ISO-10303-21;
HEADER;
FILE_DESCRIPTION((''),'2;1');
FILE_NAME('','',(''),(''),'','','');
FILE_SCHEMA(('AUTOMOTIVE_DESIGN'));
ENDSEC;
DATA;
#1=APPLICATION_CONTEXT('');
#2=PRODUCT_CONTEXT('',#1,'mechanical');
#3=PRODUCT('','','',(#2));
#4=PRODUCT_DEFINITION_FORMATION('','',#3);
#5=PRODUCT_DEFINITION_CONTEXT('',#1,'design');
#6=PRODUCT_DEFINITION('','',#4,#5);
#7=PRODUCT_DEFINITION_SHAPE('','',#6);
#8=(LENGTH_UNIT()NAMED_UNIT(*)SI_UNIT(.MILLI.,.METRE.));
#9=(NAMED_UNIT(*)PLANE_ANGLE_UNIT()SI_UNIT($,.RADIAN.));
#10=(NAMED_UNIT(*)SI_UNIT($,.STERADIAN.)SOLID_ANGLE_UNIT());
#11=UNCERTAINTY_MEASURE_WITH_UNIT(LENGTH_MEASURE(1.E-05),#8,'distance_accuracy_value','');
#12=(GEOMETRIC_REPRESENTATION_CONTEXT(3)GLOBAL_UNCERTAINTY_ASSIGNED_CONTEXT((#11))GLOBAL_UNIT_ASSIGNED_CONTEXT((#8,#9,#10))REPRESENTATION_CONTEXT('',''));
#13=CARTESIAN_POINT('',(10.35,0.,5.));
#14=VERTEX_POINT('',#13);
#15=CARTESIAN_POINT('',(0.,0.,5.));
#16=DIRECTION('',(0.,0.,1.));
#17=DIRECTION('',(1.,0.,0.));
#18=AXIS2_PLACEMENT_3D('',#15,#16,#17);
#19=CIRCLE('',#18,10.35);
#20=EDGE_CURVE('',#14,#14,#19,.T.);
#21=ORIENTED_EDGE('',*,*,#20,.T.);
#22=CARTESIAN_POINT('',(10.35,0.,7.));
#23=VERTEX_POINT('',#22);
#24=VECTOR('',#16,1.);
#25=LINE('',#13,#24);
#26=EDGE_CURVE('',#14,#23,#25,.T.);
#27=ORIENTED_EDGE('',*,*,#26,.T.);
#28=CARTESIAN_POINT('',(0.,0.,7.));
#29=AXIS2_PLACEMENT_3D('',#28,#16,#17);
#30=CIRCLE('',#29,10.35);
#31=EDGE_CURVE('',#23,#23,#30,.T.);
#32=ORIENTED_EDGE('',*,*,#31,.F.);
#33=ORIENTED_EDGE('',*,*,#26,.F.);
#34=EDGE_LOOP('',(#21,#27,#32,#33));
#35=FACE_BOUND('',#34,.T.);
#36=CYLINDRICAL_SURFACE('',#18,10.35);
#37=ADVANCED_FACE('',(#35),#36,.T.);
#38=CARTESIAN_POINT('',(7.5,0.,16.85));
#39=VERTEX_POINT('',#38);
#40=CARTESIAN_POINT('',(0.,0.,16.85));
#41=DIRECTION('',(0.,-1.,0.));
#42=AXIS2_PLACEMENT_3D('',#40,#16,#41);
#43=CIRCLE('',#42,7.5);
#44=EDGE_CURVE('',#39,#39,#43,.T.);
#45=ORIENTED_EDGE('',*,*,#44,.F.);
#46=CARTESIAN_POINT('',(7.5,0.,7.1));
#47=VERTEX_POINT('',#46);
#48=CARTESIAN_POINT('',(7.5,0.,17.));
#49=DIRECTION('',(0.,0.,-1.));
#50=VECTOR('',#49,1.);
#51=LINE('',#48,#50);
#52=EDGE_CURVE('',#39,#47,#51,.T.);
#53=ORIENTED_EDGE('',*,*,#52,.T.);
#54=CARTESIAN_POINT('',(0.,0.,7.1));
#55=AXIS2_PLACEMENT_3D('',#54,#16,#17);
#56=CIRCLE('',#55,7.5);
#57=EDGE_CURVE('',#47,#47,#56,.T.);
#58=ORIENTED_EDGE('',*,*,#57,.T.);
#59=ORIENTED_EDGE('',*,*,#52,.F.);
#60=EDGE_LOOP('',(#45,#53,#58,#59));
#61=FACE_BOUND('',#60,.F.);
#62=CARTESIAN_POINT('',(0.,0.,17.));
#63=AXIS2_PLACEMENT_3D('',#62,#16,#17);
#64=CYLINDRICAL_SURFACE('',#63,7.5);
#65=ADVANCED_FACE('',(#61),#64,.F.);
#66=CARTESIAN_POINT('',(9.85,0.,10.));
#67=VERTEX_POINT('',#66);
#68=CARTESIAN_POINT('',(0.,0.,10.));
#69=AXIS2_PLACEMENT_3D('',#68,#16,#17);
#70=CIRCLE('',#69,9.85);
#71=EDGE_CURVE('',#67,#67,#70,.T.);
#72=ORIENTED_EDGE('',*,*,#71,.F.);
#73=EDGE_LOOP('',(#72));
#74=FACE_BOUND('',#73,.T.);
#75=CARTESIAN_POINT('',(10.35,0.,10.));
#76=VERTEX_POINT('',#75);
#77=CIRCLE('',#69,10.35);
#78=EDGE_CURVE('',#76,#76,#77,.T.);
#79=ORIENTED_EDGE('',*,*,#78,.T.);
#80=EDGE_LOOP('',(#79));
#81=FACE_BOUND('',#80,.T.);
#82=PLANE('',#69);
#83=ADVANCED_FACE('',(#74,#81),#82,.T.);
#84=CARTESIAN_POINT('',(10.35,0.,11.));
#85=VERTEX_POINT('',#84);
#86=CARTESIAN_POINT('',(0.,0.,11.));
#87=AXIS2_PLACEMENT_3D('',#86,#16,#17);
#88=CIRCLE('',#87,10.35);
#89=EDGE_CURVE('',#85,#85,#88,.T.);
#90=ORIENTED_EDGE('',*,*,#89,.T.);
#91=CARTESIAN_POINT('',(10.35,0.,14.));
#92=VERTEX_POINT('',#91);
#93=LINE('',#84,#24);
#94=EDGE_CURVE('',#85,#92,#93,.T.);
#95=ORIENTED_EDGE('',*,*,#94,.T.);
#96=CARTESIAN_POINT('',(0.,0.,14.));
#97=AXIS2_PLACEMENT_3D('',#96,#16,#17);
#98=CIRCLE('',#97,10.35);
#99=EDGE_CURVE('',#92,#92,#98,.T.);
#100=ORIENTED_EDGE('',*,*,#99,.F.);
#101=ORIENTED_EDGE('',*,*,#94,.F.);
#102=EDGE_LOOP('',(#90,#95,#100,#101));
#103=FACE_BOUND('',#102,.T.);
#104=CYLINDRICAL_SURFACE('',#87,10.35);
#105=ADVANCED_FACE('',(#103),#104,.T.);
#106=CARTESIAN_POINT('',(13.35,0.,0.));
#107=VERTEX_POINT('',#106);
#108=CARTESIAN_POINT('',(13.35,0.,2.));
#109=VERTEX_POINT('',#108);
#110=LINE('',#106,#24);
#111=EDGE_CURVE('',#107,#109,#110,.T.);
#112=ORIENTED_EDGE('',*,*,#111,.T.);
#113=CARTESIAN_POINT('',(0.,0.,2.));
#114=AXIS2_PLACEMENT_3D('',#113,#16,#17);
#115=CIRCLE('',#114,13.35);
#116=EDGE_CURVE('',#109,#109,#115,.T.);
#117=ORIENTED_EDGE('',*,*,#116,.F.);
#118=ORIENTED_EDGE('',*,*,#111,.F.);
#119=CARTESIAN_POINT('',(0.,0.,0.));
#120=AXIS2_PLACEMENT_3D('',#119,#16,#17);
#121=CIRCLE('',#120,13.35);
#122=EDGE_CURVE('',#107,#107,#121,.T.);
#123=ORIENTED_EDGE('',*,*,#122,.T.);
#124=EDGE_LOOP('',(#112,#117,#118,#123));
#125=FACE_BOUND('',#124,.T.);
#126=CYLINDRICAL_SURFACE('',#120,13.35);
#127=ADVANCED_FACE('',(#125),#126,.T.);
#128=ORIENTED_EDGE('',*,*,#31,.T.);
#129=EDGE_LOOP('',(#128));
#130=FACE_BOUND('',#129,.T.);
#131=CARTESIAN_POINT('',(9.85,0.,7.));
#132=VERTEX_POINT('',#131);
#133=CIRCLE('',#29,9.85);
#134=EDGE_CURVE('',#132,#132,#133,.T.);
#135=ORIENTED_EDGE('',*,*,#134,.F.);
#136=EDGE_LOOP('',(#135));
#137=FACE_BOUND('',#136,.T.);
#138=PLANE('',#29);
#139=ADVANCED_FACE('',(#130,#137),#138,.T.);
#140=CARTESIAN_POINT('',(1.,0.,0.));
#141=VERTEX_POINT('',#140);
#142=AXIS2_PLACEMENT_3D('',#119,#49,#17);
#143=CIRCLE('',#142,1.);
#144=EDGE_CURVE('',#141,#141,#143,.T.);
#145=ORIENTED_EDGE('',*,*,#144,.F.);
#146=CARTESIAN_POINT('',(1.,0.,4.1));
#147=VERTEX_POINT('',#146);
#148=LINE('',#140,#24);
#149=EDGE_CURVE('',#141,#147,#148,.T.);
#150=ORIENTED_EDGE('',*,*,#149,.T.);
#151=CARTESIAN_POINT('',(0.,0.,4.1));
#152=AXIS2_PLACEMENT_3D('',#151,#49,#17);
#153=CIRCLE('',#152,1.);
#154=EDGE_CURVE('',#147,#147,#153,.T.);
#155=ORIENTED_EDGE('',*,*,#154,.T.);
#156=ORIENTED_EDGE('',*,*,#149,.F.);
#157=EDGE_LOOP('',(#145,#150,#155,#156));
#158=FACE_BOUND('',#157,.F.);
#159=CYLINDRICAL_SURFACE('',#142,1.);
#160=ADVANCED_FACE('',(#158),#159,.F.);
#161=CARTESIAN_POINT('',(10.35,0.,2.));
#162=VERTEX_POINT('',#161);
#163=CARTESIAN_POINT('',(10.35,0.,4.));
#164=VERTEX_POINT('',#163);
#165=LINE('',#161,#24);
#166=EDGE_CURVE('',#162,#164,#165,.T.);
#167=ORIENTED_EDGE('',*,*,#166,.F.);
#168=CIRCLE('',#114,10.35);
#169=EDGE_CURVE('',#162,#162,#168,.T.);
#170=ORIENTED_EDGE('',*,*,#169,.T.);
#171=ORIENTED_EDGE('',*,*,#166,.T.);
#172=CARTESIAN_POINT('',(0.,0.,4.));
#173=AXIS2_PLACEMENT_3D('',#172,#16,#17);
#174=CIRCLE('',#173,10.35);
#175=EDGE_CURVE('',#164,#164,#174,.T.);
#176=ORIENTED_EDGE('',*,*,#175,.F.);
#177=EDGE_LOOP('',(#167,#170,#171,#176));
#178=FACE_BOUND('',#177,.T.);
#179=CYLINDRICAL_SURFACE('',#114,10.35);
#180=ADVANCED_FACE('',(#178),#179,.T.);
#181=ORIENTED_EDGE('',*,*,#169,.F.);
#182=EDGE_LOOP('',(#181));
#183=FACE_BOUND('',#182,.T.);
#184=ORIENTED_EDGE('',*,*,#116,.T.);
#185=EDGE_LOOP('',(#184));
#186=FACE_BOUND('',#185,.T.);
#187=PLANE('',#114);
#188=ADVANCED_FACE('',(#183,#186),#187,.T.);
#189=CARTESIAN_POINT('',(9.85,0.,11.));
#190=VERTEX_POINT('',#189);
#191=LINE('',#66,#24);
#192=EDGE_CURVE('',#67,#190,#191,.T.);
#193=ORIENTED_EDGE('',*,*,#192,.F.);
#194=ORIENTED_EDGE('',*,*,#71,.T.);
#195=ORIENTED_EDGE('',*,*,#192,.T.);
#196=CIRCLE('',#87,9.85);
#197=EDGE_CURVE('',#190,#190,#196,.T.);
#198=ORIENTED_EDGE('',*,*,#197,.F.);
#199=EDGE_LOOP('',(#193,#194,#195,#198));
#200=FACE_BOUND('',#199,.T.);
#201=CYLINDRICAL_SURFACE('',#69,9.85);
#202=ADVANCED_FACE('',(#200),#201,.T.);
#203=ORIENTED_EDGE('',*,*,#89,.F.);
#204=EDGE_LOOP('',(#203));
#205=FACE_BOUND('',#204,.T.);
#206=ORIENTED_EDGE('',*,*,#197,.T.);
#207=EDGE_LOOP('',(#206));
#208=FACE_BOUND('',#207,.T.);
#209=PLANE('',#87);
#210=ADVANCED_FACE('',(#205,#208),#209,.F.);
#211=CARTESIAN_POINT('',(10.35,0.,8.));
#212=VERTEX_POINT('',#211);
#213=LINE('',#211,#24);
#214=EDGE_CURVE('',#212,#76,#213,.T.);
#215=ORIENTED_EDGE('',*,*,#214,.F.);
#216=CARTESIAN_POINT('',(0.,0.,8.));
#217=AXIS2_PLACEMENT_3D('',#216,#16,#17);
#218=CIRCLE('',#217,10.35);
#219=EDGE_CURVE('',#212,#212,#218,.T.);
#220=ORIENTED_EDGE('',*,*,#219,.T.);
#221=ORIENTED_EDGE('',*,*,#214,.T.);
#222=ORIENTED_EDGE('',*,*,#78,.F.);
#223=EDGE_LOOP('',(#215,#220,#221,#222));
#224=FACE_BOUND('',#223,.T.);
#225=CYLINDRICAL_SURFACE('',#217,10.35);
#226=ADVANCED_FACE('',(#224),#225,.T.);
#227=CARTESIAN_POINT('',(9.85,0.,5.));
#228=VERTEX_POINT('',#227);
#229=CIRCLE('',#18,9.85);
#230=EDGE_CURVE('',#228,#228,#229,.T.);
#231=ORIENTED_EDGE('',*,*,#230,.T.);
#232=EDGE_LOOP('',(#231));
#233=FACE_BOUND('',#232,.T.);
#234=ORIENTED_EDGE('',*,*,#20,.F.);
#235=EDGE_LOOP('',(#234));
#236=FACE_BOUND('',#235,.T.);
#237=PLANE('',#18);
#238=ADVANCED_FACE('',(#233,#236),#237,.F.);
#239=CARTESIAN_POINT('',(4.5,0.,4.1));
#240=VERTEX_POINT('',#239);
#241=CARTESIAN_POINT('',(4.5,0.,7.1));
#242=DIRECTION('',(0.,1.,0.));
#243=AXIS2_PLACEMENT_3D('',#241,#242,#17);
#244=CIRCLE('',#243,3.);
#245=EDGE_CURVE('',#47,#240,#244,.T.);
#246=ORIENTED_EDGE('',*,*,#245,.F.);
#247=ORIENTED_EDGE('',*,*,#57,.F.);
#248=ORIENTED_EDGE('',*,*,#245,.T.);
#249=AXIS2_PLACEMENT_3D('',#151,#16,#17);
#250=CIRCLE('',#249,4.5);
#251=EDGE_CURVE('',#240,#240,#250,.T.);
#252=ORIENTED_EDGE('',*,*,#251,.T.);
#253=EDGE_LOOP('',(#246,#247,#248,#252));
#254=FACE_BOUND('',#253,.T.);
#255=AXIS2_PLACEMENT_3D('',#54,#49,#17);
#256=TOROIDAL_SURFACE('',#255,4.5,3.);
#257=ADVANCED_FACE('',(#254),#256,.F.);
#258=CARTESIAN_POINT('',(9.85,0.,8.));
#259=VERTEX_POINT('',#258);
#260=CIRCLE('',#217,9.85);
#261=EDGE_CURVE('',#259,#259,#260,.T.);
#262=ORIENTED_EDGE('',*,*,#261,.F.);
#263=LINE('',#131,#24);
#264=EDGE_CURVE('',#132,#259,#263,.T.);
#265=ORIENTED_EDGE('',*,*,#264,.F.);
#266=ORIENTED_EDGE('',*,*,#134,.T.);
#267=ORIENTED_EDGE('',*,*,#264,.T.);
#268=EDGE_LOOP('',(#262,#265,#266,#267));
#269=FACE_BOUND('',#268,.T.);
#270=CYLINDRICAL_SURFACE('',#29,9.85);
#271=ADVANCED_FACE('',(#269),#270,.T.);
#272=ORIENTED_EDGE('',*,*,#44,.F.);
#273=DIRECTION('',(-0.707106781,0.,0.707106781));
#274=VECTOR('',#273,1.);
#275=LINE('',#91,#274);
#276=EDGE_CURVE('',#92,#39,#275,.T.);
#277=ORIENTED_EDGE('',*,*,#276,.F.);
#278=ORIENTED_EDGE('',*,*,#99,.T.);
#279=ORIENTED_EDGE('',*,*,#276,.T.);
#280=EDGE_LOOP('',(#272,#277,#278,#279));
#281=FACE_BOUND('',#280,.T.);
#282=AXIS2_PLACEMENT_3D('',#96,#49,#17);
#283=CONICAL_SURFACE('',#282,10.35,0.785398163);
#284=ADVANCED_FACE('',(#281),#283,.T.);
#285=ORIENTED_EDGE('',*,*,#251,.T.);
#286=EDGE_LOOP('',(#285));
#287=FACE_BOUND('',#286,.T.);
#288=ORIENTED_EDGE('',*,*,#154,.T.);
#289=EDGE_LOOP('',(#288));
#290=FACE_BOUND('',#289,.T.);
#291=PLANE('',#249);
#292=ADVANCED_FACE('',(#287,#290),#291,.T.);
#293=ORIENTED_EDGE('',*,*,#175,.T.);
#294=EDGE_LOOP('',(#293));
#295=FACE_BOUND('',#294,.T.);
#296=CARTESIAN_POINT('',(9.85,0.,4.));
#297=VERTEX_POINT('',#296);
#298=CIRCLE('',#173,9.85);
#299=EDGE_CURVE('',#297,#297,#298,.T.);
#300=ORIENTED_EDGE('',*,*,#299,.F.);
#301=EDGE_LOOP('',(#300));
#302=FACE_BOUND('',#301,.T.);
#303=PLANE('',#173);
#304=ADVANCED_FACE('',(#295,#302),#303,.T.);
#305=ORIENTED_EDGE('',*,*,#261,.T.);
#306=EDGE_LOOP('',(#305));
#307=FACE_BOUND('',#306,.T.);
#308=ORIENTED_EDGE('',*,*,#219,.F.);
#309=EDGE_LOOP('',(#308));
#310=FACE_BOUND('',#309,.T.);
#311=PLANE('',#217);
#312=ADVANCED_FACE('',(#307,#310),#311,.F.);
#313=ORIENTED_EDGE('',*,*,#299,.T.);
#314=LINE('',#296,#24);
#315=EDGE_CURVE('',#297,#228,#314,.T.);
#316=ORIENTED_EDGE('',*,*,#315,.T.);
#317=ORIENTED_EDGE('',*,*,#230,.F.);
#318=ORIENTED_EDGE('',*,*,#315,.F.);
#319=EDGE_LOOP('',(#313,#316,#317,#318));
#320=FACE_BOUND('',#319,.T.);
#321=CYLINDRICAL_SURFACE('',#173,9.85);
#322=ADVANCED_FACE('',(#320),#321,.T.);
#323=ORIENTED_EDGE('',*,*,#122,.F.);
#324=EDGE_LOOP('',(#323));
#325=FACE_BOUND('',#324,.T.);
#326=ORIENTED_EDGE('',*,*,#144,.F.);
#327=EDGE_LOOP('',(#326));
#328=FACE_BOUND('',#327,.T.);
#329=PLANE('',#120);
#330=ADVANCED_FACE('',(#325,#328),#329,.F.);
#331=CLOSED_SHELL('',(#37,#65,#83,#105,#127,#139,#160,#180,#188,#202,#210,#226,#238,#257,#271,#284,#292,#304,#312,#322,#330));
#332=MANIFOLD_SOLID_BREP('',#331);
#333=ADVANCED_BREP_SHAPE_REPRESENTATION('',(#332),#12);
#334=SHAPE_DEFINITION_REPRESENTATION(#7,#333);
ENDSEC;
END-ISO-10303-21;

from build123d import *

# Parameters (mm, degrees)
F2_SIZE  = 3
F3_R     = 7.5
F4_DEPTH = 12.9
F5_R     = 3
F6_R     = 1
F7_DEPTH = 25


with BuildPart() as f1:
    # F0 (on Front) → F1 (revolve)
    with BuildSketch(Plane.XZ):
        Polygon((0, 17), (0, 0), (10.35, 0), (13.35, 0), (13.35, 2), (10.35, 2), (10.35, 4), (9.85, 4), (9.85, 5), (10.35, 5), (10.35, 7), (9.85, 7), (9.85, 8), (10.35, 8), (10.35, 10), (9.85, 10), (9.85, 11), (10.35, 11), (10.35, 17), align=None)
    revolve(axis=Axis((0, 0, 12.16054), (0, 0, 1)))

    # F2
    f2_edges = [f1.edges().sort_by_distance(p)[0] for p in [
        (-10.35, 0, 17),
    ]]
    chamfer(f2_edges, length=F2_SIZE)

    # F3 (on face) → F4 (cut)
    with BuildSketch(Plane.XY.offset(17)):
        Circle(F3_R)
    extrude(amount=-F4_DEPTH, mode=Mode.SUBTRACT)

    # F5
    f5_edges = [f1.edges().sort_by_distance(p)[0] for p in [
        (-7.5, 0, 4.1),
    ]]
    fillet(f5_edges, radius=F5_R)

    # F6 (on face) → F7 (cut)
    with BuildSketch(Plane(origin=(0, 0, 0), x_dir=(1, 0, 0), z_dir=(0, 0, -1))):
        Circle(F6_R)
    extrude(amount=-F7_DEPTH, mode=Mode.SUBTRACT)


solid = f1.part
